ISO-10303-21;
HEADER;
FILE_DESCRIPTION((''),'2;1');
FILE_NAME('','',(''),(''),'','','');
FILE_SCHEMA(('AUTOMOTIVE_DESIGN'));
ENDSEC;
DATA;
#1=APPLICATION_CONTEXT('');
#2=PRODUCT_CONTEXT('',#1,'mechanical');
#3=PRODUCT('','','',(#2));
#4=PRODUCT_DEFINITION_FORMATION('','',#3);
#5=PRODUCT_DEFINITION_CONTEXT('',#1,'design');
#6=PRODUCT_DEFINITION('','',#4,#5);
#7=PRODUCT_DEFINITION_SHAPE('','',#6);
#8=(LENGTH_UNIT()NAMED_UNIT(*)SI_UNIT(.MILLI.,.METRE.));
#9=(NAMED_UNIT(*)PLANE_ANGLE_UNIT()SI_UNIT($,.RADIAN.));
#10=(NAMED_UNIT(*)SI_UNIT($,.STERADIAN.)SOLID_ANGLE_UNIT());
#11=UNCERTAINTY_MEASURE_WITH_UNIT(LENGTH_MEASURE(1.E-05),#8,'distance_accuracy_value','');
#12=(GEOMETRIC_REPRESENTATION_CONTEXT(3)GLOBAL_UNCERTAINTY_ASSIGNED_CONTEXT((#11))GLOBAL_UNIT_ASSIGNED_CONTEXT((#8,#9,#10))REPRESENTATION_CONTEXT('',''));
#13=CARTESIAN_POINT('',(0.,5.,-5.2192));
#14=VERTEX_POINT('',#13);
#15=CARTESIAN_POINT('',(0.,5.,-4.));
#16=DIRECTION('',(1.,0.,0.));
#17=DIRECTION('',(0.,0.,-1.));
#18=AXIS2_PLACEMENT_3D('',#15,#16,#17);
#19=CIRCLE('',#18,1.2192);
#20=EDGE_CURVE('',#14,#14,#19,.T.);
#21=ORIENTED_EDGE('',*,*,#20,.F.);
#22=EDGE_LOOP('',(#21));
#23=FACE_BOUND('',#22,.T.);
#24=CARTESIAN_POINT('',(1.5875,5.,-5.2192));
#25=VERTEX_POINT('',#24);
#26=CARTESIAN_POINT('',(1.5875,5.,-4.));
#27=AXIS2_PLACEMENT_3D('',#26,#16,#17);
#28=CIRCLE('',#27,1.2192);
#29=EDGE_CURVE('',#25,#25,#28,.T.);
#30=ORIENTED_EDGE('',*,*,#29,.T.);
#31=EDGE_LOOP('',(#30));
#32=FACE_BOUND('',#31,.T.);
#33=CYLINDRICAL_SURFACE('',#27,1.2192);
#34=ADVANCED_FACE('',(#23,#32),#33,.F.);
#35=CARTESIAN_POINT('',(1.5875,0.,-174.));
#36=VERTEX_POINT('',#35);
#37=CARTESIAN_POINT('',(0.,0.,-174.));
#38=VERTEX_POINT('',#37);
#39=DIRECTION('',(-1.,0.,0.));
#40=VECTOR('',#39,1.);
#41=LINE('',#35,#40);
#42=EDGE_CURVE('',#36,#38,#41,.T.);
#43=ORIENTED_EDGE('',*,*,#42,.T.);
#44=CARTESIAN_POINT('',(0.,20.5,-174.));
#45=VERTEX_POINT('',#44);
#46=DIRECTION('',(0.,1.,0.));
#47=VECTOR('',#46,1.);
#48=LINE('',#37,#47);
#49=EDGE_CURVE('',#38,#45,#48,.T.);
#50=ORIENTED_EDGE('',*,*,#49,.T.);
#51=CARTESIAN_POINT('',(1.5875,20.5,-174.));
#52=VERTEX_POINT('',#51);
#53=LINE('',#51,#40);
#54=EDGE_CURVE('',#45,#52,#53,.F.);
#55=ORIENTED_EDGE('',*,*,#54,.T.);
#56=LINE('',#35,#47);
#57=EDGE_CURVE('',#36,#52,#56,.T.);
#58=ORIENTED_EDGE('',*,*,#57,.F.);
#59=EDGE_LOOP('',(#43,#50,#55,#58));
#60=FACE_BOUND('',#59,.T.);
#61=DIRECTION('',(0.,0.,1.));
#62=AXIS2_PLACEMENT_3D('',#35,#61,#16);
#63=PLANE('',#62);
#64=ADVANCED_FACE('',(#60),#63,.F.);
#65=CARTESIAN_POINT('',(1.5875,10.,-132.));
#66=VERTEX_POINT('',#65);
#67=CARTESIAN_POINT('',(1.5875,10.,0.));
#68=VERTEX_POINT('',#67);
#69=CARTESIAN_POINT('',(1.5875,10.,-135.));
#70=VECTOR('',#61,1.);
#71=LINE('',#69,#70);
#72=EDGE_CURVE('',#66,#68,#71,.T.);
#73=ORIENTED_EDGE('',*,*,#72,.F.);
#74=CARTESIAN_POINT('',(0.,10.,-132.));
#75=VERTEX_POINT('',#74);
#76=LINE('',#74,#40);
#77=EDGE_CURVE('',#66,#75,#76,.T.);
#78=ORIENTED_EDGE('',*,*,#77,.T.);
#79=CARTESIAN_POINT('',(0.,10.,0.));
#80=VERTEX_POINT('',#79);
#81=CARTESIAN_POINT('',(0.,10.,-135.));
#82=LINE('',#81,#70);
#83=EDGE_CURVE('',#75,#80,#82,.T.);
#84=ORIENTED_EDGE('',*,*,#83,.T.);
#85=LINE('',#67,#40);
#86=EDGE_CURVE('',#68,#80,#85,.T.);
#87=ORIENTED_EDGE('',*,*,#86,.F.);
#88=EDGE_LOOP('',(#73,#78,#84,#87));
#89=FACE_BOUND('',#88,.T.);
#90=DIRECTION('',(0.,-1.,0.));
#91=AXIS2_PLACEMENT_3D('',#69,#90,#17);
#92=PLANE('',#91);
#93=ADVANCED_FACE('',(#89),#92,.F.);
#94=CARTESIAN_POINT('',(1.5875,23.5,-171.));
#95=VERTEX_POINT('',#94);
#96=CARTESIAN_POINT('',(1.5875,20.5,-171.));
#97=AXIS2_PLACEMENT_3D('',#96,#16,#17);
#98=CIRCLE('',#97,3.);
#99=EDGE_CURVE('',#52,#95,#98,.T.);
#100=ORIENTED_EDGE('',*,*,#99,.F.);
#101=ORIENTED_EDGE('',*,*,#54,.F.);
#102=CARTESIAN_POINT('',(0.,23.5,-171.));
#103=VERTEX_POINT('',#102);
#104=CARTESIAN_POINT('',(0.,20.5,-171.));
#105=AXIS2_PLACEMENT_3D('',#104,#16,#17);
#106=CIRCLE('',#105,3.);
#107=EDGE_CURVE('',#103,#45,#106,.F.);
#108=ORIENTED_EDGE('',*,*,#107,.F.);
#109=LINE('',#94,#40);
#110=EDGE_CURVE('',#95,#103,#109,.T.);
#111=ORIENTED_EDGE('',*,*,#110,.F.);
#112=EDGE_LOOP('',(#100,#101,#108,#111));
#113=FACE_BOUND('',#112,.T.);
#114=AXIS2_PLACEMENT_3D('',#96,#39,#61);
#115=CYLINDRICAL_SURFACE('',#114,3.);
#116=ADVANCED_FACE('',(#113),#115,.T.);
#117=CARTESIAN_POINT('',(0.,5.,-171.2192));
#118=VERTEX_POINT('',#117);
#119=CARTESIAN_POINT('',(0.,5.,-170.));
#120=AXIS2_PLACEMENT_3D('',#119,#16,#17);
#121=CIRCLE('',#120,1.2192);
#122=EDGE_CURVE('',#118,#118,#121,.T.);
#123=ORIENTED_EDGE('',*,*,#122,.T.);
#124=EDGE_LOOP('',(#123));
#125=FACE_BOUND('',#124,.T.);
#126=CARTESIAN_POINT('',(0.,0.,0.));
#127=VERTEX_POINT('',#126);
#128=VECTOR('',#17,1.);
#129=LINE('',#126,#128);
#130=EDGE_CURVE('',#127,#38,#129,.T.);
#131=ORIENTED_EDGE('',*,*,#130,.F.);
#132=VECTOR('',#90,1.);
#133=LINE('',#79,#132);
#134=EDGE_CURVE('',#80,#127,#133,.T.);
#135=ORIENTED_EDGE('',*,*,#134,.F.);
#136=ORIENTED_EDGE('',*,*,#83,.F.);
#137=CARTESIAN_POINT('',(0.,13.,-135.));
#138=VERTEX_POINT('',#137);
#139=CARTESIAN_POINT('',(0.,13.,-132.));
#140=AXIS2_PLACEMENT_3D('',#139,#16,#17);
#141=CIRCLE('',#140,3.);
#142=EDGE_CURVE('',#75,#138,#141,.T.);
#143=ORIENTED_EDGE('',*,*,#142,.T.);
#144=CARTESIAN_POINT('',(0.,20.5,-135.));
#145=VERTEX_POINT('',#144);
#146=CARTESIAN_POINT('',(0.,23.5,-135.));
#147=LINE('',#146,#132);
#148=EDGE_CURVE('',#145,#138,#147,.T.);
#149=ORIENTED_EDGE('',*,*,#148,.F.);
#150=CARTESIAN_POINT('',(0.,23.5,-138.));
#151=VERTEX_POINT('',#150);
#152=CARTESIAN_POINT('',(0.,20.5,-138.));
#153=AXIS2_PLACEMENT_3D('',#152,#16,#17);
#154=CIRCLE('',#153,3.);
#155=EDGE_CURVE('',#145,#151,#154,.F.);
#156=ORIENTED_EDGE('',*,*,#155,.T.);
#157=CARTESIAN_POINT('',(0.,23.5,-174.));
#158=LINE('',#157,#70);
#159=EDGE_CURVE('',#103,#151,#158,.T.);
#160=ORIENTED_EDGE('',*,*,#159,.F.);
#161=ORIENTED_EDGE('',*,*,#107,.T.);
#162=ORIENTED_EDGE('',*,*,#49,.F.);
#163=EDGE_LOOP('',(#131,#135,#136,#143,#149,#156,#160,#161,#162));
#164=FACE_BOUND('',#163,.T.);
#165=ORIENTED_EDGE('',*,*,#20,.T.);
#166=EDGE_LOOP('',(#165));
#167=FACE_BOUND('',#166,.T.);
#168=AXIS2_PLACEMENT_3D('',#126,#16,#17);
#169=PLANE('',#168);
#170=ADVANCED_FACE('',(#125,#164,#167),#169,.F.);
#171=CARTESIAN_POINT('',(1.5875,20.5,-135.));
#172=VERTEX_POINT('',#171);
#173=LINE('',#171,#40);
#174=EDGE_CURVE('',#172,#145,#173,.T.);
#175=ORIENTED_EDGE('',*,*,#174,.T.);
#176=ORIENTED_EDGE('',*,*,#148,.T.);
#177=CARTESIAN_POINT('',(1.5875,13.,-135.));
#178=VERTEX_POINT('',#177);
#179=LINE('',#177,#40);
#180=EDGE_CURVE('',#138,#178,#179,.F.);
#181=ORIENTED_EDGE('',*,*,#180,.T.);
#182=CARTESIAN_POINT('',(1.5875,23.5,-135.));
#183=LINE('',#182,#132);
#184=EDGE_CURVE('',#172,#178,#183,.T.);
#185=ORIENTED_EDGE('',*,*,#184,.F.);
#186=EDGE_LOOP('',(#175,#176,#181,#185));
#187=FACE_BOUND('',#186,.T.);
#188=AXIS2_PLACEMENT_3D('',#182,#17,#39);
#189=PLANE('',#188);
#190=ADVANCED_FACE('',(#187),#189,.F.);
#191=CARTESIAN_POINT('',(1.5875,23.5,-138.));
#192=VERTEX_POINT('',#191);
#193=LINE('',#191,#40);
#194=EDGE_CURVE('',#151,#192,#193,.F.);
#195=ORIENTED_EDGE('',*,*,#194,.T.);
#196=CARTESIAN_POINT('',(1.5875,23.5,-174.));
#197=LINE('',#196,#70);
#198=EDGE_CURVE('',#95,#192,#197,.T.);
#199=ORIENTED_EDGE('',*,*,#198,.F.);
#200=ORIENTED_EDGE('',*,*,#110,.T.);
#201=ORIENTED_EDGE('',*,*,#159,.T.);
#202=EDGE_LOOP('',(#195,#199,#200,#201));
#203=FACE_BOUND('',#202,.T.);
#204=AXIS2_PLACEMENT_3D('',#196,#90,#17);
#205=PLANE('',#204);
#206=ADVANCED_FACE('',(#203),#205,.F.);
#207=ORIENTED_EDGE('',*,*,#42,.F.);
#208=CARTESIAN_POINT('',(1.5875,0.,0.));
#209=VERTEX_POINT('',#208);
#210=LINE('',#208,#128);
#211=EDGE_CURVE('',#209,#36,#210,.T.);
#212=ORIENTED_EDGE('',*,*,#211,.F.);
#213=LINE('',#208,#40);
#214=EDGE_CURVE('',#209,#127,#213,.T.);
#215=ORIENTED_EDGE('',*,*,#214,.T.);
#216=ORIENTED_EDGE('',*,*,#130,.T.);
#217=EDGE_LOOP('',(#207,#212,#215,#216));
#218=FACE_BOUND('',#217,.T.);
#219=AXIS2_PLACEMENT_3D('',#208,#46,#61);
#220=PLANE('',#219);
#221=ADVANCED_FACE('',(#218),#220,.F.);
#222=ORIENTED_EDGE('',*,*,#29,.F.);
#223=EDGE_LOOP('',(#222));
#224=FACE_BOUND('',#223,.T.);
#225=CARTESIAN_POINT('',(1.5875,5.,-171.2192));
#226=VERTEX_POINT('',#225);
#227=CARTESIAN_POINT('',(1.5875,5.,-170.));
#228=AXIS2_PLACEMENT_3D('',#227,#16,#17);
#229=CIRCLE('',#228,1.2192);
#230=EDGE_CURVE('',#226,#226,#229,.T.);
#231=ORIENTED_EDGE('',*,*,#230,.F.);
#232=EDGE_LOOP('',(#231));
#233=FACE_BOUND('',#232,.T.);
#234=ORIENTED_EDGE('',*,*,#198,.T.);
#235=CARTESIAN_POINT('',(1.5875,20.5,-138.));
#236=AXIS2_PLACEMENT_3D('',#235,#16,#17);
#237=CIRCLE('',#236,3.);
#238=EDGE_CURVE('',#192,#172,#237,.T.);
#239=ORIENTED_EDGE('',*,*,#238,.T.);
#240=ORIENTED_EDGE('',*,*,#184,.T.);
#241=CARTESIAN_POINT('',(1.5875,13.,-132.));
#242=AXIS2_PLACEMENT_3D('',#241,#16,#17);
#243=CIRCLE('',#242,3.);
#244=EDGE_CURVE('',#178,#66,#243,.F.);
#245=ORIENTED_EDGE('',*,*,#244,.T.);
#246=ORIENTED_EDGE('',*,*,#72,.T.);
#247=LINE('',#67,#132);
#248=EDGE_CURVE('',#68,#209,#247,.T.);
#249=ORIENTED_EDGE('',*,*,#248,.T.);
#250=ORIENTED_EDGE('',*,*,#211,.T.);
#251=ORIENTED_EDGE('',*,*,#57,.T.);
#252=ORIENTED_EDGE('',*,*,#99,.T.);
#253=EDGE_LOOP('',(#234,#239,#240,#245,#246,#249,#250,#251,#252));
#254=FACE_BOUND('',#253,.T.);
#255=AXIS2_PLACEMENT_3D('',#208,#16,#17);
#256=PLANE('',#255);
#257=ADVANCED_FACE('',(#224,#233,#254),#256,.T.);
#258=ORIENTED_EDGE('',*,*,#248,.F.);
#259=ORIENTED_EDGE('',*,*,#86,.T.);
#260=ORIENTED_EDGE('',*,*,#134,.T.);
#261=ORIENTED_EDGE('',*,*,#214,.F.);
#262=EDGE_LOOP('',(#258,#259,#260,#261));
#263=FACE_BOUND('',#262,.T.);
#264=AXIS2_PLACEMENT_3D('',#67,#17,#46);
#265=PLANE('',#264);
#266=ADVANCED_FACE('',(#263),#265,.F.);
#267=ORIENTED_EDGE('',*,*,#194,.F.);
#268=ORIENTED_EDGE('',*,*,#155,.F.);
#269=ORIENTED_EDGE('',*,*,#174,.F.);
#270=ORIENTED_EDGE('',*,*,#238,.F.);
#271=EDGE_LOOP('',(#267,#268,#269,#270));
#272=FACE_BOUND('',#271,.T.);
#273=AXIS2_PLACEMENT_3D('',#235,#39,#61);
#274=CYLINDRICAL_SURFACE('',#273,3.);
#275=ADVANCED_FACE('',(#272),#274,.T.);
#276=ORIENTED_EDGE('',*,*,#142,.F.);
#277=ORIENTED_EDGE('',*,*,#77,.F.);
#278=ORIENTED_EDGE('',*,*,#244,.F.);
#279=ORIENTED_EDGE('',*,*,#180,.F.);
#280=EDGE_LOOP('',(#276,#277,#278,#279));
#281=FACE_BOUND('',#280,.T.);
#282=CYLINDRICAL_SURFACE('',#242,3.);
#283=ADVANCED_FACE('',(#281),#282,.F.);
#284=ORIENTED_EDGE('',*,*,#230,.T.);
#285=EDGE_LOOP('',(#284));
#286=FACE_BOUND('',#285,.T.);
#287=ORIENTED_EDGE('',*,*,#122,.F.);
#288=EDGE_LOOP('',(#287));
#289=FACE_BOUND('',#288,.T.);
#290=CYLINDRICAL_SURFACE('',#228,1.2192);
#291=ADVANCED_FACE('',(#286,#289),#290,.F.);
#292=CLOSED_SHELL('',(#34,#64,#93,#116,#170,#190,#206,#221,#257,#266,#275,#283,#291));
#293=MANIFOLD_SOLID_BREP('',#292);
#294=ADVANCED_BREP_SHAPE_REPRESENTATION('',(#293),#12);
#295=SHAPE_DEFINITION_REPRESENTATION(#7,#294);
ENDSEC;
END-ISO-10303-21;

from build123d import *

# Parameters (mm, degrees)
BOSS_EXTRUDE1_DEPTH   = 1.5875
F_2_CLEARANCE_HOLE1_D = 2.4384
FILLET1_R             = 3


with BuildPart() as part:
    # Sketch1 → Boss-Extrude1 (new body)
    with BuildSketch(Plane(origin=(0, 0, 0), x_dir=(0, 0, -1), z_dir=(1, 0, 0))):
        Polygon((0, 0), (174, 0), (174, 23.5), (135, 23.5), (135, 10), (0, 10), align=None)
    extrude(amount=BOSS_EXTRUDE1_DEPTH)

    # #2 Clearance Hole1 (through all)
    with Locations(Plane(origin=(1.5875, 0, 0), x_dir=(0, 0, -1), z_dir=(1, 0, 0))):
        with Locations((4, 5), (170, 5)):
            Hole(F_2_CLEARANCE_HOLE1_D / 2)

    # Fillet1
    fillet1_edges = [part.edges().sort_by_distance(p)[0] for p in [
        (0.79375, 10, -135),
        (0.79375, 23.5, -135),
        (0.79375, 23.5, -174),
    ]]
    fillet(fillet1_edges, radius=FILLET1_R)


solid = part.part
